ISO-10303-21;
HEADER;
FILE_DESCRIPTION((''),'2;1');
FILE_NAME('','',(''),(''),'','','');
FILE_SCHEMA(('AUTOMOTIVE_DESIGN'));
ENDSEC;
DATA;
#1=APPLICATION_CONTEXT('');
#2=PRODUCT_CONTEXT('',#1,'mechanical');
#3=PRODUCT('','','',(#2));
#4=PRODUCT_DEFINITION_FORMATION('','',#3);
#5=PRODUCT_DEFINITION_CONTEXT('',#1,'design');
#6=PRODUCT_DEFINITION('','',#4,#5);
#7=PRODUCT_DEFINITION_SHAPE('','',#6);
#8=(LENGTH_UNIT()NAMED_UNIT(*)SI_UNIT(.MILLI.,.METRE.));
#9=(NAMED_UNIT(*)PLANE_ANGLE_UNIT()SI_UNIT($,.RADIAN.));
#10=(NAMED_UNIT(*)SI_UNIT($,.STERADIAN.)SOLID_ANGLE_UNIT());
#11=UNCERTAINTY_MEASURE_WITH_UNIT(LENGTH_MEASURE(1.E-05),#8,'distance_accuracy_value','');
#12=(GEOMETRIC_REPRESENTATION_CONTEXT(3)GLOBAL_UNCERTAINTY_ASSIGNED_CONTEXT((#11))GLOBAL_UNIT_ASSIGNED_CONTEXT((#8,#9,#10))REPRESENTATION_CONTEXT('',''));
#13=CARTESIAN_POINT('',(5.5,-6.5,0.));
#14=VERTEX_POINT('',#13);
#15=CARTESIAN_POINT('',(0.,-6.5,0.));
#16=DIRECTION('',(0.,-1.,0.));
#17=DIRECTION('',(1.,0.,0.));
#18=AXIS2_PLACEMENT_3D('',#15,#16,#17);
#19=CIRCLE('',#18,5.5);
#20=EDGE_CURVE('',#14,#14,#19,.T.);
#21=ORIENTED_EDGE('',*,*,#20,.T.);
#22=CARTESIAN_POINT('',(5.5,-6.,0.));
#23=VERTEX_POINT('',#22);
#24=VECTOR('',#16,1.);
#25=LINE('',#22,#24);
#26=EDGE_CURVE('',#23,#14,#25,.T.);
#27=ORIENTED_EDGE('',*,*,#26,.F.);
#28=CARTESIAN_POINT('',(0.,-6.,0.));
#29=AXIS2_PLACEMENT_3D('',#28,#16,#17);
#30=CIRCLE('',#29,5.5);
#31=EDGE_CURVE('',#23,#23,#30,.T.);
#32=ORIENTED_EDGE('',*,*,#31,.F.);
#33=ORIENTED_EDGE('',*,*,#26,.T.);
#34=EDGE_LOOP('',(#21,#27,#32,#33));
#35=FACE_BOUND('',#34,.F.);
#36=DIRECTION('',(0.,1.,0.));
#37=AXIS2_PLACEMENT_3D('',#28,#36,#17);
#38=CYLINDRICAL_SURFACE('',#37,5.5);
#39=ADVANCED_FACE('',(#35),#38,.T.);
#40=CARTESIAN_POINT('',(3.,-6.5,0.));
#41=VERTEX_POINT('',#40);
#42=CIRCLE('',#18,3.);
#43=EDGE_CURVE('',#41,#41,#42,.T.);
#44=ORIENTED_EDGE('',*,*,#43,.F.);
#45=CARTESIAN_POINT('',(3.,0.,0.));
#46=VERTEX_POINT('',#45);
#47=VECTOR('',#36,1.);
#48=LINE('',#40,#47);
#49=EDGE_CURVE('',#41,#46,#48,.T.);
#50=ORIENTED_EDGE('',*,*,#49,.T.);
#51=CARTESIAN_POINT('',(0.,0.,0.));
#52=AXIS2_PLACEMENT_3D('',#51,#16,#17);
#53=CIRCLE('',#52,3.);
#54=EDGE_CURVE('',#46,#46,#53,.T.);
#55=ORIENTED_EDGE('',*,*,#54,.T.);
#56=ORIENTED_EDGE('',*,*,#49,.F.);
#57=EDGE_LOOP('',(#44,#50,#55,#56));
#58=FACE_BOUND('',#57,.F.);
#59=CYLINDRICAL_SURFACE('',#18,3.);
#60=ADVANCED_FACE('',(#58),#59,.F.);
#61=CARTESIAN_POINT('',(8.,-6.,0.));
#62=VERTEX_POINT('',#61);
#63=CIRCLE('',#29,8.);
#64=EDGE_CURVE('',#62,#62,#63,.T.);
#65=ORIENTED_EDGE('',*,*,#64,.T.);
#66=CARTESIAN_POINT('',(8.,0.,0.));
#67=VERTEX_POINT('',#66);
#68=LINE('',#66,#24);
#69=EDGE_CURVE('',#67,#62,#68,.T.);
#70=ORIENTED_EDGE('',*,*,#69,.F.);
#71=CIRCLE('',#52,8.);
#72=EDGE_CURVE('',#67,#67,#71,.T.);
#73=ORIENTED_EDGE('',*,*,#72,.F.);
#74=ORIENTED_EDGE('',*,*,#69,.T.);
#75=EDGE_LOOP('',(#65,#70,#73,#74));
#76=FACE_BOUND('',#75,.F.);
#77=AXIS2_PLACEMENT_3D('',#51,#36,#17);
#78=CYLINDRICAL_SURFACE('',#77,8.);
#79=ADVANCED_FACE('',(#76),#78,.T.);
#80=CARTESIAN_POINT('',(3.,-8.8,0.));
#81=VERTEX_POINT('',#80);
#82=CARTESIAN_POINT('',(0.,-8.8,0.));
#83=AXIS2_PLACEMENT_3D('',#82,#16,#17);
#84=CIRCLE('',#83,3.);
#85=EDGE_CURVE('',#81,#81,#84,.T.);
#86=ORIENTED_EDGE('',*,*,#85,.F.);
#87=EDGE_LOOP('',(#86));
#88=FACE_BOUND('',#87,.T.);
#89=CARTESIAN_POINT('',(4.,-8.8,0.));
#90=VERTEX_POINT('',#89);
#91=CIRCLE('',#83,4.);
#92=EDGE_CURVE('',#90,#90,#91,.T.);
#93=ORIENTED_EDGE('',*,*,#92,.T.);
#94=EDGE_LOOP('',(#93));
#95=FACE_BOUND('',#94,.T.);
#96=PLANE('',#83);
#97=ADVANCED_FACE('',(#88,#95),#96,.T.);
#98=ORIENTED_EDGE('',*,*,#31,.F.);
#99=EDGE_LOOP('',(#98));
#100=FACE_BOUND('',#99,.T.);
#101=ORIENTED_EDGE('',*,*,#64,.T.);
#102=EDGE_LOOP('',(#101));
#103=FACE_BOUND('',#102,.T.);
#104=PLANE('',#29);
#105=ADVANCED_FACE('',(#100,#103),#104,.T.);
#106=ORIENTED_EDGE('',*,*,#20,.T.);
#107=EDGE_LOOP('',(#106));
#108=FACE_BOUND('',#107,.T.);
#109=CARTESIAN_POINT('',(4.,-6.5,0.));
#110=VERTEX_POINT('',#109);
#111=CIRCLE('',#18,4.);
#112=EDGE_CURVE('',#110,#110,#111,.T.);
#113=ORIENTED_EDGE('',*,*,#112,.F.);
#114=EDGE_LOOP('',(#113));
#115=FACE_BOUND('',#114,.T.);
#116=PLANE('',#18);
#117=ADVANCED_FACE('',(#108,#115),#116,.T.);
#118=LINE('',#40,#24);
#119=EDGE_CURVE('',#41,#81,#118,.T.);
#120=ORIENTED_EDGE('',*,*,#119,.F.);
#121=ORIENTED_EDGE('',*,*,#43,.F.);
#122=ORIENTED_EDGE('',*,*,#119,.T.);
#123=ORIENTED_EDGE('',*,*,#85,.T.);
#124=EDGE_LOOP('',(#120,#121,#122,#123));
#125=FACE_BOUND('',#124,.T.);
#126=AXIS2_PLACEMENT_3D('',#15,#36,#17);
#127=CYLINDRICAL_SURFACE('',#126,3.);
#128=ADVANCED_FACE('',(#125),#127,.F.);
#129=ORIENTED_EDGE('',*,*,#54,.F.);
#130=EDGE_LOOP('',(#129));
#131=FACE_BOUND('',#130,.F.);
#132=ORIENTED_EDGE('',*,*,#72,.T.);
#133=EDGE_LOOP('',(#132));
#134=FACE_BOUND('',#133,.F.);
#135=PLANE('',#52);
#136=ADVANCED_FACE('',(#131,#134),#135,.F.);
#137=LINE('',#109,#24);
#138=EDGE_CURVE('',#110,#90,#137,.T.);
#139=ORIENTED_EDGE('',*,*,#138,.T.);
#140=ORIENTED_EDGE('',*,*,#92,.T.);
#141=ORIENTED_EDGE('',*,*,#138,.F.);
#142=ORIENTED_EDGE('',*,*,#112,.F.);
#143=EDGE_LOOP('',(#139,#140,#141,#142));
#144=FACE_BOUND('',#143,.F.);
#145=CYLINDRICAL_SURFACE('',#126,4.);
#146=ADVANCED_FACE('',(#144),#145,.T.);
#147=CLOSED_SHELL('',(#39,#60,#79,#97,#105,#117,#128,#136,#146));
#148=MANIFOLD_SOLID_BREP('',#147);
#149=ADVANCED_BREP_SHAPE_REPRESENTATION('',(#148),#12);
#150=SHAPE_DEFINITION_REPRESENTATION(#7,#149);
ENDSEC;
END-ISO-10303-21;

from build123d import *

# Parameters (mm, degrees)
F0_R      = 8
F1_DEPTH  = 6
F2_R      = 5.5
F3_DEPTH  = 0.5
F4_R      = 4
F4_R_2    = 3
F5_DEPTH  = 2.3
F5_FACE_R = 3
F6_DEPTH  = 6.501


with BuildPart() as f1:
    # F0 (on Front) → F1 (new body)
    with BuildSketch(Plane.XZ):
        Circle(F0_R)
    extrude(amount=F1_DEPTH)

    # F2 (on face) → F3 (join)
    with BuildSketch(Plane.XZ.offset(6)):
        Circle(F2_R)
    extrude(amount=F3_DEPTH)

    # F4 (on face) → F5 (join)
    with BuildSketch(Plane.XZ.offset(6.5)):
        Circle(F4_R)
        Circle(F4_R_2, mode=Mode.SUBTRACT)
    extrude(amount=F5_DEPTH)

    # F5_face (on face) → F6 (cut, through all)
    with BuildSketch(Plane.XZ.offset(6.5)):
        Circle(F5_FACE_R)
    extrude(amount=-F6_DEPTH, mode=Mode.SUBTRACT)


solid = f1.part
